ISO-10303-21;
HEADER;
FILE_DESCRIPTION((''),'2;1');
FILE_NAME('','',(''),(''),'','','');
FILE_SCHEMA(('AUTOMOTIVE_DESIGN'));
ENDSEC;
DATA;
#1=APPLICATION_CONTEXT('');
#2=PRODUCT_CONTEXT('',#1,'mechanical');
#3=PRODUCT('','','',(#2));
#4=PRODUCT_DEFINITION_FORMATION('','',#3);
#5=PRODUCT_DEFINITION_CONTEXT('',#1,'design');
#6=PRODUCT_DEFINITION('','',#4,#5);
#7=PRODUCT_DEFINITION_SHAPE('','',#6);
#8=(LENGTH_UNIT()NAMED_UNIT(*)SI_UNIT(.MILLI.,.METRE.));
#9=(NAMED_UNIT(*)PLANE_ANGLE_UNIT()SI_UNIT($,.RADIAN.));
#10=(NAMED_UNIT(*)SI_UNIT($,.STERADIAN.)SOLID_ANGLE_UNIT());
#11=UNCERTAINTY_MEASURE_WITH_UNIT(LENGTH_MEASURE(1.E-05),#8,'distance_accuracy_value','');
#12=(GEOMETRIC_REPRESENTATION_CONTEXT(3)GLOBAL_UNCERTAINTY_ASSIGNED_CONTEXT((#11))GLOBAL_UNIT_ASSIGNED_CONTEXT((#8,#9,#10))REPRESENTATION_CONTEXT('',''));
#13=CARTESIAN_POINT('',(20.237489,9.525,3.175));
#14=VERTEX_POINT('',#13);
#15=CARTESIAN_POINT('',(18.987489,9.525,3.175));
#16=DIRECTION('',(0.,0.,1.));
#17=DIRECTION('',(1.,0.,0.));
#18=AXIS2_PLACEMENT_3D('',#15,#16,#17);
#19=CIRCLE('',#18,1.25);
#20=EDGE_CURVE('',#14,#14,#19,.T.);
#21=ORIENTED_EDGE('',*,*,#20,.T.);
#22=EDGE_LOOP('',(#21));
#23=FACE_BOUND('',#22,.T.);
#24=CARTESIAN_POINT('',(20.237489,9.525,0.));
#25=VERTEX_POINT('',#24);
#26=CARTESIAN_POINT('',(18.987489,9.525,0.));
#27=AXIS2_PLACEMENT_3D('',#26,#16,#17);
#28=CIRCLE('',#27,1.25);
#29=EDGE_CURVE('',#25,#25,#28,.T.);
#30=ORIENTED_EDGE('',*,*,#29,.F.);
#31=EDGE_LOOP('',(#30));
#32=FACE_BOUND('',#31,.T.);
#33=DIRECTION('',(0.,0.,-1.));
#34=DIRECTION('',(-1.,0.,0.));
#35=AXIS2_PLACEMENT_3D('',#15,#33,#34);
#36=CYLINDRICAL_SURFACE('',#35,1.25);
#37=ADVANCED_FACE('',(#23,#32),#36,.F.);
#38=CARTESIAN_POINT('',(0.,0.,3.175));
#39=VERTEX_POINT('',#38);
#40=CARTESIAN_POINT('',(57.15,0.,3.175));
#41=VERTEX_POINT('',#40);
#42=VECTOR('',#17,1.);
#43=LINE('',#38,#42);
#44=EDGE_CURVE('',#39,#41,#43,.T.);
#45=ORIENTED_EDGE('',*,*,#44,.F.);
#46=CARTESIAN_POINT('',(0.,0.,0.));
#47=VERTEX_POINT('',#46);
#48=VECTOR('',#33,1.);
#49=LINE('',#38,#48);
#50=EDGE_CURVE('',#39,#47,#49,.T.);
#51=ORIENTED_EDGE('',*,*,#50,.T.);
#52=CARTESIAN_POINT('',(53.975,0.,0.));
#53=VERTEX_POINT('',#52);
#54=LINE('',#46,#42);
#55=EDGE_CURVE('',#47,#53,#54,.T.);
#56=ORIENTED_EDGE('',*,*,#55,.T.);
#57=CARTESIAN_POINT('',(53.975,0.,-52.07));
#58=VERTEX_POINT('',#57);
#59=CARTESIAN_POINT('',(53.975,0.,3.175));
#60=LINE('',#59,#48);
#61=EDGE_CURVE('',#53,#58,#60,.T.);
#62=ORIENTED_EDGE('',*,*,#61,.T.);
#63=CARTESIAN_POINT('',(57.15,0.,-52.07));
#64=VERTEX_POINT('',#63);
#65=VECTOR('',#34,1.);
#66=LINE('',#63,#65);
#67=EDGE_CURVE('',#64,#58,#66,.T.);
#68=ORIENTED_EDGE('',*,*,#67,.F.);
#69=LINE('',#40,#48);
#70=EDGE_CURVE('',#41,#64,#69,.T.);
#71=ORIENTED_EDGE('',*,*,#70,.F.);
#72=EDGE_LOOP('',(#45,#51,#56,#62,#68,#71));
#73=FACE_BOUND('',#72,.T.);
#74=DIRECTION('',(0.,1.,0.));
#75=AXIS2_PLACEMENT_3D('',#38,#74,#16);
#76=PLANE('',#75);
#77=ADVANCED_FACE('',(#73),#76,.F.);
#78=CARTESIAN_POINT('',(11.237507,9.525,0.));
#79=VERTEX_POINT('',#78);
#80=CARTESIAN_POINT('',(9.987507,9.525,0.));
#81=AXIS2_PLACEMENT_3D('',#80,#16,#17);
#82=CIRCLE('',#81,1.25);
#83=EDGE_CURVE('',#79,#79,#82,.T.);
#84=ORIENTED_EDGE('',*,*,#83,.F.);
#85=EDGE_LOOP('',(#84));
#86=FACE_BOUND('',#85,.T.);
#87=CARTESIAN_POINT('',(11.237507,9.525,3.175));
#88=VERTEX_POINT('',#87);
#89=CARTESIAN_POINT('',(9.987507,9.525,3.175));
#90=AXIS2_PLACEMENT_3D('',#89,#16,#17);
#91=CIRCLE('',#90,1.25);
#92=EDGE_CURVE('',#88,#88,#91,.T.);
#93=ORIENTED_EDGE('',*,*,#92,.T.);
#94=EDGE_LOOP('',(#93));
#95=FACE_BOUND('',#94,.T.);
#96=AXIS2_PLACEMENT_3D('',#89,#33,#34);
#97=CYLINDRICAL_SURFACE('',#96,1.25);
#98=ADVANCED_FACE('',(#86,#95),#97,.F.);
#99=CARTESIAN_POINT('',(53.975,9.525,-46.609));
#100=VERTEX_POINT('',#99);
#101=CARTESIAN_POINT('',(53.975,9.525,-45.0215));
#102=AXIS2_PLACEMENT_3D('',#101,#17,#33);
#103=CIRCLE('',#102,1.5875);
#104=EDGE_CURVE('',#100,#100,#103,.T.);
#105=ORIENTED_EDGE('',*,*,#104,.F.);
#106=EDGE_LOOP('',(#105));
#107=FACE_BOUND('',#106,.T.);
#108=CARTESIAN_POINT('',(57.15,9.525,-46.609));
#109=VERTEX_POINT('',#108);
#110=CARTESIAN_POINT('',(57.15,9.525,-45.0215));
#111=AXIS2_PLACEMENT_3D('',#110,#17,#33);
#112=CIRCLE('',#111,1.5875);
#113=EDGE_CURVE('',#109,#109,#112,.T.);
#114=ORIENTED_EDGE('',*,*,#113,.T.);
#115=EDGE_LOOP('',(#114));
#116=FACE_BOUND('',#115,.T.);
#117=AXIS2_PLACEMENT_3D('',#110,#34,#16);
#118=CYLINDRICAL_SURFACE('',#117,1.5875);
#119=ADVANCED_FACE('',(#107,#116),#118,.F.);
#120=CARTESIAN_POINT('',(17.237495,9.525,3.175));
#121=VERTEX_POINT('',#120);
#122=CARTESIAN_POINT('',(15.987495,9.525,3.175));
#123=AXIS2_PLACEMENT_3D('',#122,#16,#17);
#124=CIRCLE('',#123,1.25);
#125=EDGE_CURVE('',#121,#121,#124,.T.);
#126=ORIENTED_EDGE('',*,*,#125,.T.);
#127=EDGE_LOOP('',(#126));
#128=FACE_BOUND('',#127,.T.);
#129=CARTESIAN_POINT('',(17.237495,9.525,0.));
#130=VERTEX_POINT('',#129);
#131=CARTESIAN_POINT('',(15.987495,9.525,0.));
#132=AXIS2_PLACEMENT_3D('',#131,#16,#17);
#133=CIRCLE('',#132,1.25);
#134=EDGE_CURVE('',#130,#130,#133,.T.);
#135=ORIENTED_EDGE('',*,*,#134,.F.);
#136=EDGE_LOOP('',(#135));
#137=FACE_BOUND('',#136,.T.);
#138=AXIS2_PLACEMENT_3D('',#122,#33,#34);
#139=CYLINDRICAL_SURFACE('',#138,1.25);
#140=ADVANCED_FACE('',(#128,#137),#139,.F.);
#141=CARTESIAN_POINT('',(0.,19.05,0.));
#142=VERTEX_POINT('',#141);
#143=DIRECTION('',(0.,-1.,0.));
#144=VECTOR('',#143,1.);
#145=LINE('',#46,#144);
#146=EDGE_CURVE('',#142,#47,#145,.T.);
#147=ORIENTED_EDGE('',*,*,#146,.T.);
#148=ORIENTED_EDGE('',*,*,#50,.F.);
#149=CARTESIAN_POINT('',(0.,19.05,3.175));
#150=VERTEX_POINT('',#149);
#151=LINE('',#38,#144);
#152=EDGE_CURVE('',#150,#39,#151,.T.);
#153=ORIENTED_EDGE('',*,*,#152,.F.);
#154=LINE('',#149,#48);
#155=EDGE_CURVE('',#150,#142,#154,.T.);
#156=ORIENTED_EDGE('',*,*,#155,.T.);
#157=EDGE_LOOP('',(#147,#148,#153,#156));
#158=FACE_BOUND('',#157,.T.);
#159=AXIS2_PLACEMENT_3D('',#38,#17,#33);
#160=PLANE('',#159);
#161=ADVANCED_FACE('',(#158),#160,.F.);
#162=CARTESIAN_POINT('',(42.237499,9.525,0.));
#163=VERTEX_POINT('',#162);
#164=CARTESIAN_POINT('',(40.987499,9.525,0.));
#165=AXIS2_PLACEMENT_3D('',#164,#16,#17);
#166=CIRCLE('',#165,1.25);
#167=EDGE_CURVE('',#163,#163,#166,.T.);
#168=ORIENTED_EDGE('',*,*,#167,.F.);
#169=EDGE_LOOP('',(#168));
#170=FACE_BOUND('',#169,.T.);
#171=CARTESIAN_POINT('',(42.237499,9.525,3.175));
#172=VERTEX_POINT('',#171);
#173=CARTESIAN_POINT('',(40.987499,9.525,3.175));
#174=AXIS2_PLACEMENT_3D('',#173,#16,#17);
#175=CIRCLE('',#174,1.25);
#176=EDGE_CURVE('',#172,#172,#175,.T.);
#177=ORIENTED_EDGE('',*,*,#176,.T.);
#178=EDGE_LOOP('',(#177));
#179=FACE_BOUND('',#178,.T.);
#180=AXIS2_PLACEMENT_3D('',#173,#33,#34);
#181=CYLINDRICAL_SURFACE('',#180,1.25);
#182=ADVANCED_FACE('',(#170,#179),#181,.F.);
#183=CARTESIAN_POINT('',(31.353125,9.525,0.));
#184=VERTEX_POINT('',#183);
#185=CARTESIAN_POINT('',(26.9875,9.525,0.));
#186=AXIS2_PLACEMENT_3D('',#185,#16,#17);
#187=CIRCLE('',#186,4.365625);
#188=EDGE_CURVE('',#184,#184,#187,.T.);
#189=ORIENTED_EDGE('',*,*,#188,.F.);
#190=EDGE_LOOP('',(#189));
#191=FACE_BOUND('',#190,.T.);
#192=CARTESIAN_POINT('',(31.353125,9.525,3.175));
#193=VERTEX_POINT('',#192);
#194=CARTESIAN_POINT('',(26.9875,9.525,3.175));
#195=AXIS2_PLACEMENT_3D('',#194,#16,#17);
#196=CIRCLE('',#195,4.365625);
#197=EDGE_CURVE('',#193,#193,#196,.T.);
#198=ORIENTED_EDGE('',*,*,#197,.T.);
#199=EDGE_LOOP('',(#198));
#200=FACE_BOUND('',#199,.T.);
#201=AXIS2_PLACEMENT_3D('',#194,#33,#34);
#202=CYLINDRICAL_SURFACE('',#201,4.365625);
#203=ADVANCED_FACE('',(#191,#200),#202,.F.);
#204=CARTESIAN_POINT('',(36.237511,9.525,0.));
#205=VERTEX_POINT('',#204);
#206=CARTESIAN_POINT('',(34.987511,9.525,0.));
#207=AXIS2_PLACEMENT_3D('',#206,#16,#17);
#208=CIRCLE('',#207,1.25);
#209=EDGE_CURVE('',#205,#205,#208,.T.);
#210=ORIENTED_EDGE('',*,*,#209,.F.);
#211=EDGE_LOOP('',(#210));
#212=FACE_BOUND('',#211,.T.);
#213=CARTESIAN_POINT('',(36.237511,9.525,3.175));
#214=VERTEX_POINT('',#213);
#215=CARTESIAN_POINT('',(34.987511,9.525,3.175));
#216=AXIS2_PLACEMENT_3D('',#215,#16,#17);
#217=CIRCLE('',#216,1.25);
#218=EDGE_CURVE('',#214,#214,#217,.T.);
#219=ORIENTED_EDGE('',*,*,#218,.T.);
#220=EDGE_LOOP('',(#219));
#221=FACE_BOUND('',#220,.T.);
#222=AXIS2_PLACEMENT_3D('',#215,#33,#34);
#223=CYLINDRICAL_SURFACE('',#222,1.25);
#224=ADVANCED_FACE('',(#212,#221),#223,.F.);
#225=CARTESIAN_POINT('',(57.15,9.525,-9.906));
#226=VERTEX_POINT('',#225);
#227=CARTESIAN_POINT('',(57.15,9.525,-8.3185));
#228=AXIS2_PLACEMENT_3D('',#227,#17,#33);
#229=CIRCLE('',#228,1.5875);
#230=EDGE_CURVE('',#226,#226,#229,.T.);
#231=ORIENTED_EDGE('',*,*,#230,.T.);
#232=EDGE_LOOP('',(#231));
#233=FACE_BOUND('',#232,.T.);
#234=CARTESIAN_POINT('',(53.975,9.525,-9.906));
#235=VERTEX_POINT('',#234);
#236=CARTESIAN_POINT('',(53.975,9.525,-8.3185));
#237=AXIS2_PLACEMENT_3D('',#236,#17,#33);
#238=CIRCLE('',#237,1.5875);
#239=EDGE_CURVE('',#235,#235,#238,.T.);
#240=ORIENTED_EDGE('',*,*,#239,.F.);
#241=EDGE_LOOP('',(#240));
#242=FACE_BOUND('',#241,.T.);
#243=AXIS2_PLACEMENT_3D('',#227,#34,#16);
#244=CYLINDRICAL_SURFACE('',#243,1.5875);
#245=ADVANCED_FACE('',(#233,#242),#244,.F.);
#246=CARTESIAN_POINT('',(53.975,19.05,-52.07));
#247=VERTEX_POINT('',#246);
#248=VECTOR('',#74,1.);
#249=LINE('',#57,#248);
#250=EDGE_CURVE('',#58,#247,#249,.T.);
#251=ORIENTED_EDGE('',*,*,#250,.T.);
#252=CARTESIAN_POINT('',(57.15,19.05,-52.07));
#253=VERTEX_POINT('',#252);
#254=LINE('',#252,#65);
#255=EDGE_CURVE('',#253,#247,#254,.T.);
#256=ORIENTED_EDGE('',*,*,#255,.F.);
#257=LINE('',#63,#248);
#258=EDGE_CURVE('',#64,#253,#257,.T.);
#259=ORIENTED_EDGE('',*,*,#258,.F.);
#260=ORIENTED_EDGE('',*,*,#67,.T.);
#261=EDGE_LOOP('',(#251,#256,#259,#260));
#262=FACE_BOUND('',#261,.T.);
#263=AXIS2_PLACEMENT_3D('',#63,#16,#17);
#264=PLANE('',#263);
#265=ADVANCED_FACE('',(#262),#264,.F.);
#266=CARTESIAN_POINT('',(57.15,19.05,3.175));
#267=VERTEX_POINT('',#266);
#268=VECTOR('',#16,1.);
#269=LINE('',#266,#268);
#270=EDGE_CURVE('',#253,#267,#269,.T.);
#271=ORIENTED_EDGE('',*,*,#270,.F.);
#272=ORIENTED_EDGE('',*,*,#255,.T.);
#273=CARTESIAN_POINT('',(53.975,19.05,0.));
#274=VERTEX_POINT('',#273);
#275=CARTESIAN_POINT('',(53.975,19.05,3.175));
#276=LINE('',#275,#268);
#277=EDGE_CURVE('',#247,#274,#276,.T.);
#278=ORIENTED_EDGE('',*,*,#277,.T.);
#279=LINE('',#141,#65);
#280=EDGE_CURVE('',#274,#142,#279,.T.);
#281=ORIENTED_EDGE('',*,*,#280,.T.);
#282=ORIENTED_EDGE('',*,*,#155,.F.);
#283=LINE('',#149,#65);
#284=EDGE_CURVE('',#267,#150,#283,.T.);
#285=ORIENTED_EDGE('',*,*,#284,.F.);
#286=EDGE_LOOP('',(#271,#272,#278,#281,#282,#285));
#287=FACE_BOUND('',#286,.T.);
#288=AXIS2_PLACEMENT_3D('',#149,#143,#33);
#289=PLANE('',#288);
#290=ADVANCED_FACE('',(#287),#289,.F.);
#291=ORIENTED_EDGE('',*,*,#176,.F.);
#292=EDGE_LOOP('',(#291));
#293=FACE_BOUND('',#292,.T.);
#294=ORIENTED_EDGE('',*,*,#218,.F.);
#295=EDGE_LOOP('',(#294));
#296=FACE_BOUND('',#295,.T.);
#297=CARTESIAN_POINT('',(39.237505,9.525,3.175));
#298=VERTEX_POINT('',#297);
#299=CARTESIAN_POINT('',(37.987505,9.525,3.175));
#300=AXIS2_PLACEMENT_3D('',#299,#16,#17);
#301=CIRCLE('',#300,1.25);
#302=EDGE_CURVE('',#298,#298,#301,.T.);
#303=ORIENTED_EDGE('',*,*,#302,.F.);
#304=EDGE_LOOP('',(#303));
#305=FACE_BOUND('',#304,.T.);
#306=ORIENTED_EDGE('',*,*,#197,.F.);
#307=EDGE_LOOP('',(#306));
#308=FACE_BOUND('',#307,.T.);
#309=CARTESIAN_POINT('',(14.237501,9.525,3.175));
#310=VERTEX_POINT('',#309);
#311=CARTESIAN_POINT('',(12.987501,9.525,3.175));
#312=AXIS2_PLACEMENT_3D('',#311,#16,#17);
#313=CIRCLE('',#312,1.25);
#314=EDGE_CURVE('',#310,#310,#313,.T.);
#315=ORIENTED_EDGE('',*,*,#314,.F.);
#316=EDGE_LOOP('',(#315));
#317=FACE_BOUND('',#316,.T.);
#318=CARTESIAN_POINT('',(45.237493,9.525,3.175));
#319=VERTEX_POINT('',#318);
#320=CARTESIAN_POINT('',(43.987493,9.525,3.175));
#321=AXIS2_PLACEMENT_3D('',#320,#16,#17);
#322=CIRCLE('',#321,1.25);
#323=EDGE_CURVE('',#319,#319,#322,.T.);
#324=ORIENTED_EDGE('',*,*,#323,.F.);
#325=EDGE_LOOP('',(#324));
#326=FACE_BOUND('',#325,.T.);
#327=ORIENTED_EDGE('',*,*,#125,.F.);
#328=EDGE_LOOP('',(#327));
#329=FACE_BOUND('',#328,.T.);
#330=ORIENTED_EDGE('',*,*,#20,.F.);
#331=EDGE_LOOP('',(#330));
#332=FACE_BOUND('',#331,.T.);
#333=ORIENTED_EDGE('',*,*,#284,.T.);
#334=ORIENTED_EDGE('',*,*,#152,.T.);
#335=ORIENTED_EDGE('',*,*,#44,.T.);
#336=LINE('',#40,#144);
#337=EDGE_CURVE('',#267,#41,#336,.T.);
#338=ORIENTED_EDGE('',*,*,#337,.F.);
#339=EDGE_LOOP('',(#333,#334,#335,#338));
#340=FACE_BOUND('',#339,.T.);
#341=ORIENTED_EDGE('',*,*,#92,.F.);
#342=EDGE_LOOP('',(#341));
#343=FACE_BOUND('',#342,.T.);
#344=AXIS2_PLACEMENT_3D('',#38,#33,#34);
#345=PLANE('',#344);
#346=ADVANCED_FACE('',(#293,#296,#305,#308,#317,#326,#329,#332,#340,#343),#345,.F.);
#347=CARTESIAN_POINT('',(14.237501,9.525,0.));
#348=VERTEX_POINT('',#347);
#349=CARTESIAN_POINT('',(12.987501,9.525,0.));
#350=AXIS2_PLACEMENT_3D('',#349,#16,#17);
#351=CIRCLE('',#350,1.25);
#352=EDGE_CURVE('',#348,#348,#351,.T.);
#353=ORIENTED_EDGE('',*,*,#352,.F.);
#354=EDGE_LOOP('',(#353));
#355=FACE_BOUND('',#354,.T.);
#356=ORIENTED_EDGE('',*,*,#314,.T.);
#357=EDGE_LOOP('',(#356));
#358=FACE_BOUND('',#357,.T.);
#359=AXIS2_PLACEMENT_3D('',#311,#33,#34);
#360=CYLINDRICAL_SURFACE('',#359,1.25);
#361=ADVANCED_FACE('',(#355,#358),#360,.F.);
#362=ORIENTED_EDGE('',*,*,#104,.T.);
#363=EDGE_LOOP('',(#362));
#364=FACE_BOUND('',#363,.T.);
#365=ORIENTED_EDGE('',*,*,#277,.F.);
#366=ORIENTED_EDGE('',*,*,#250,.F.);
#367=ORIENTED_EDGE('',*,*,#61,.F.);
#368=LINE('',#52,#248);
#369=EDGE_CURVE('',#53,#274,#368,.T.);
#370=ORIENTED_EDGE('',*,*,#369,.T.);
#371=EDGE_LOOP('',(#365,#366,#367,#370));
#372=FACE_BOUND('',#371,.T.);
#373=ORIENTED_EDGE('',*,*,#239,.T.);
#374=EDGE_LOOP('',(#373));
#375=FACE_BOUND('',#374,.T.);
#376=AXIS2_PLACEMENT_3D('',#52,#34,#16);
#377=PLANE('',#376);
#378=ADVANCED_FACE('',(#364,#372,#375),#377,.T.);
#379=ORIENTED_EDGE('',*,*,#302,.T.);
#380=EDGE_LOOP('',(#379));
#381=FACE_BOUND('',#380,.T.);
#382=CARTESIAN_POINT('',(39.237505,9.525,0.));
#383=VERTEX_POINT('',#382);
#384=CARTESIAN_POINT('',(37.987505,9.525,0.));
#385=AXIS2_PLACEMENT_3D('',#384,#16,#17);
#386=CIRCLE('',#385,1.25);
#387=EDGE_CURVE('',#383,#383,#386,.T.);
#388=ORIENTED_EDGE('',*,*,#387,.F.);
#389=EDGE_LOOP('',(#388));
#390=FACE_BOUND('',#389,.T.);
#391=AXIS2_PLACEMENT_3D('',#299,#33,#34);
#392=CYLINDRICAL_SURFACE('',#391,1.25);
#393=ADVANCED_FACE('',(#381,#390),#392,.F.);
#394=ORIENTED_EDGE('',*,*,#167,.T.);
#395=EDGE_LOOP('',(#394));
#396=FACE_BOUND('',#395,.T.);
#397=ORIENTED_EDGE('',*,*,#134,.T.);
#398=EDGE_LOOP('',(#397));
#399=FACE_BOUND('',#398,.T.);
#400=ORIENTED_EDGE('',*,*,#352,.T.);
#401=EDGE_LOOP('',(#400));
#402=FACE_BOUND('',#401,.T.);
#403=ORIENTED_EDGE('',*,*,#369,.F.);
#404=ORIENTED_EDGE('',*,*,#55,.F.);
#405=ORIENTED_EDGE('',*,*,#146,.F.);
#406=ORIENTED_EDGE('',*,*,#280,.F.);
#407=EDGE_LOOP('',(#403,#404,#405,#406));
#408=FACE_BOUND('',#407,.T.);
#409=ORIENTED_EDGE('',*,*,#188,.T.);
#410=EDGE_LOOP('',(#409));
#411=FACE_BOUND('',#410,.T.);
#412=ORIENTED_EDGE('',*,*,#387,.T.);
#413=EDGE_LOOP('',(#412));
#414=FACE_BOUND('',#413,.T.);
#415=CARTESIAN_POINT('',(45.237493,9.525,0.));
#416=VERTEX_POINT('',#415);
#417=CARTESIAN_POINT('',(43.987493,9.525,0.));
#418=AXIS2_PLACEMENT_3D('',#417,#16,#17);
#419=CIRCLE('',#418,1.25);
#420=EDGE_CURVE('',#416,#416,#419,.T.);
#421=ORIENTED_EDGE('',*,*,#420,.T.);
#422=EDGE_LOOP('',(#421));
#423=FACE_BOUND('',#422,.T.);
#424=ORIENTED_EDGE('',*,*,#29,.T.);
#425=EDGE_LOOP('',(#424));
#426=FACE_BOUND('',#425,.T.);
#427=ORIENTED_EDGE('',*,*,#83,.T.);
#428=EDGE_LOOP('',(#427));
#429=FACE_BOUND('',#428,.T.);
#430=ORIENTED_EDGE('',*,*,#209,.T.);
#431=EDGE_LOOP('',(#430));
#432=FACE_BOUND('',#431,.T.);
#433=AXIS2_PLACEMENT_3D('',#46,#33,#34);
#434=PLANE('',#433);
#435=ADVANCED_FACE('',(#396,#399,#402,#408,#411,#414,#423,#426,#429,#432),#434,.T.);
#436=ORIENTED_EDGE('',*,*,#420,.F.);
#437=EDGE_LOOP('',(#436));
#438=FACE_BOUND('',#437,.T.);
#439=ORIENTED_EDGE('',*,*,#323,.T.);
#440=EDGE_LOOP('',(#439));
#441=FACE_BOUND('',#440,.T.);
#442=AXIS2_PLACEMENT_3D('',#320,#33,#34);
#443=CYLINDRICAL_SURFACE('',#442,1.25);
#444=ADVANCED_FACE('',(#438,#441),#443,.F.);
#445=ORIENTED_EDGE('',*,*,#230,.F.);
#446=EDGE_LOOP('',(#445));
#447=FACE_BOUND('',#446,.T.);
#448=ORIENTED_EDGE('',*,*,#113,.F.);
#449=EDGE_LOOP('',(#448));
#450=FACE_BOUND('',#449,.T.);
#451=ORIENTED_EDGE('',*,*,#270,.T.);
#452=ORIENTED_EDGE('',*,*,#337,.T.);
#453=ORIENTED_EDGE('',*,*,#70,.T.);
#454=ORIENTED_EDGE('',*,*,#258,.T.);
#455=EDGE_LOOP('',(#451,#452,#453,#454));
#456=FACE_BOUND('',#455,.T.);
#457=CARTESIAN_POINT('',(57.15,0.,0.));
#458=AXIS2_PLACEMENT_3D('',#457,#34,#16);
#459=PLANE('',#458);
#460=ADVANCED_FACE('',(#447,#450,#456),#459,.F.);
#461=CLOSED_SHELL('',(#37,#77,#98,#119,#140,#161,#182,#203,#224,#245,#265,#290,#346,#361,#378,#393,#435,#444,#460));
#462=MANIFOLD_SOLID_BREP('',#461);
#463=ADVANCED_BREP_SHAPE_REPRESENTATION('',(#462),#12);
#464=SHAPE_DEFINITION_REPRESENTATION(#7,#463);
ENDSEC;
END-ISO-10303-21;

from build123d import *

# Parameters (mm, degrees)
SKETCH1_W           = 53.975
SKETCH1_H           = 19.05
SKETCH1_R           = 1.25
SKETCH1_R_2         = 4.365625
BOSS_EXTRUDE1_DEPTH = 3.175
SKETCH2_W           = 55.245
SKETCH2_H           = 19.05
SKETCH2_R           = 1.5875
BOSS_EXTRUDE2_DEPTH = 3.175


with BuildPart() as part:
    # Sketch1 → Boss-Extrude1 (new body)
    with BuildSketch(Plane.XY):
        with Locations((26.9875, 9.525)):
            Rectangle(SKETCH1_W, SKETCH1_H)
        with Locations((34.9875114, 9.525)):
            Circle(SKETCH1_R, mode=Mode.SUBTRACT)
        with Locations((43.9874934, 9.525)):
            Circle(SKETCH1_R, mode=Mode.SUBTRACT)
        with Locations((37.9875054, 9.525)):
            Circle(SKETCH1_R, mode=Mode.SUBTRACT)
        with Locations((40.9874994, 9.525)):
            Circle(SKETCH1_R, mode=Mode.SUBTRACT)
        with Locations((18.9874886, 9.525)):
            Circle(SKETCH1_R, mode=Mode.SUBTRACT)
        with Locations((15.9874946, 9.525)):
            Circle(SKETCH1_R, mode=Mode.SUBTRACT)
        with Locations((12.9875006, 9.525)):
            Circle(SKETCH1_R, mode=Mode.SUBTRACT)
        with Locations((9.9875066, 9.525)):
            Circle(SKETCH1_R, mode=Mode.SUBTRACT)
        with Locations((26.9875, 9.525)):
            Circle(SKETCH1_R_2, mode=Mode.SUBTRACT)
    extrude(amount=BOSS_EXTRUDE1_DEPTH)

    # Sketch2 → Boss-Extrude2 (add)
    with BuildSketch(Plane(origin=(53.975, 0, 0), x_dir=(0, 0, -1), z_dir=(1, 0, 0))):
        with Locations((24.4475, 9.525)):
            Rectangle(SKETCH2_W, SKETCH2_H)
        with Locations((8.3185, 9.525)):
            Circle(SKETCH2_R, mode=Mode.SUBTRACT)
        with Locations((45.0215, 9.525)):
            Circle(SKETCH2_R, mode=Mode.SUBTRACT)
    extrude(amount=BOSS_EXTRUDE2_DEPTH)


solid = part.part
